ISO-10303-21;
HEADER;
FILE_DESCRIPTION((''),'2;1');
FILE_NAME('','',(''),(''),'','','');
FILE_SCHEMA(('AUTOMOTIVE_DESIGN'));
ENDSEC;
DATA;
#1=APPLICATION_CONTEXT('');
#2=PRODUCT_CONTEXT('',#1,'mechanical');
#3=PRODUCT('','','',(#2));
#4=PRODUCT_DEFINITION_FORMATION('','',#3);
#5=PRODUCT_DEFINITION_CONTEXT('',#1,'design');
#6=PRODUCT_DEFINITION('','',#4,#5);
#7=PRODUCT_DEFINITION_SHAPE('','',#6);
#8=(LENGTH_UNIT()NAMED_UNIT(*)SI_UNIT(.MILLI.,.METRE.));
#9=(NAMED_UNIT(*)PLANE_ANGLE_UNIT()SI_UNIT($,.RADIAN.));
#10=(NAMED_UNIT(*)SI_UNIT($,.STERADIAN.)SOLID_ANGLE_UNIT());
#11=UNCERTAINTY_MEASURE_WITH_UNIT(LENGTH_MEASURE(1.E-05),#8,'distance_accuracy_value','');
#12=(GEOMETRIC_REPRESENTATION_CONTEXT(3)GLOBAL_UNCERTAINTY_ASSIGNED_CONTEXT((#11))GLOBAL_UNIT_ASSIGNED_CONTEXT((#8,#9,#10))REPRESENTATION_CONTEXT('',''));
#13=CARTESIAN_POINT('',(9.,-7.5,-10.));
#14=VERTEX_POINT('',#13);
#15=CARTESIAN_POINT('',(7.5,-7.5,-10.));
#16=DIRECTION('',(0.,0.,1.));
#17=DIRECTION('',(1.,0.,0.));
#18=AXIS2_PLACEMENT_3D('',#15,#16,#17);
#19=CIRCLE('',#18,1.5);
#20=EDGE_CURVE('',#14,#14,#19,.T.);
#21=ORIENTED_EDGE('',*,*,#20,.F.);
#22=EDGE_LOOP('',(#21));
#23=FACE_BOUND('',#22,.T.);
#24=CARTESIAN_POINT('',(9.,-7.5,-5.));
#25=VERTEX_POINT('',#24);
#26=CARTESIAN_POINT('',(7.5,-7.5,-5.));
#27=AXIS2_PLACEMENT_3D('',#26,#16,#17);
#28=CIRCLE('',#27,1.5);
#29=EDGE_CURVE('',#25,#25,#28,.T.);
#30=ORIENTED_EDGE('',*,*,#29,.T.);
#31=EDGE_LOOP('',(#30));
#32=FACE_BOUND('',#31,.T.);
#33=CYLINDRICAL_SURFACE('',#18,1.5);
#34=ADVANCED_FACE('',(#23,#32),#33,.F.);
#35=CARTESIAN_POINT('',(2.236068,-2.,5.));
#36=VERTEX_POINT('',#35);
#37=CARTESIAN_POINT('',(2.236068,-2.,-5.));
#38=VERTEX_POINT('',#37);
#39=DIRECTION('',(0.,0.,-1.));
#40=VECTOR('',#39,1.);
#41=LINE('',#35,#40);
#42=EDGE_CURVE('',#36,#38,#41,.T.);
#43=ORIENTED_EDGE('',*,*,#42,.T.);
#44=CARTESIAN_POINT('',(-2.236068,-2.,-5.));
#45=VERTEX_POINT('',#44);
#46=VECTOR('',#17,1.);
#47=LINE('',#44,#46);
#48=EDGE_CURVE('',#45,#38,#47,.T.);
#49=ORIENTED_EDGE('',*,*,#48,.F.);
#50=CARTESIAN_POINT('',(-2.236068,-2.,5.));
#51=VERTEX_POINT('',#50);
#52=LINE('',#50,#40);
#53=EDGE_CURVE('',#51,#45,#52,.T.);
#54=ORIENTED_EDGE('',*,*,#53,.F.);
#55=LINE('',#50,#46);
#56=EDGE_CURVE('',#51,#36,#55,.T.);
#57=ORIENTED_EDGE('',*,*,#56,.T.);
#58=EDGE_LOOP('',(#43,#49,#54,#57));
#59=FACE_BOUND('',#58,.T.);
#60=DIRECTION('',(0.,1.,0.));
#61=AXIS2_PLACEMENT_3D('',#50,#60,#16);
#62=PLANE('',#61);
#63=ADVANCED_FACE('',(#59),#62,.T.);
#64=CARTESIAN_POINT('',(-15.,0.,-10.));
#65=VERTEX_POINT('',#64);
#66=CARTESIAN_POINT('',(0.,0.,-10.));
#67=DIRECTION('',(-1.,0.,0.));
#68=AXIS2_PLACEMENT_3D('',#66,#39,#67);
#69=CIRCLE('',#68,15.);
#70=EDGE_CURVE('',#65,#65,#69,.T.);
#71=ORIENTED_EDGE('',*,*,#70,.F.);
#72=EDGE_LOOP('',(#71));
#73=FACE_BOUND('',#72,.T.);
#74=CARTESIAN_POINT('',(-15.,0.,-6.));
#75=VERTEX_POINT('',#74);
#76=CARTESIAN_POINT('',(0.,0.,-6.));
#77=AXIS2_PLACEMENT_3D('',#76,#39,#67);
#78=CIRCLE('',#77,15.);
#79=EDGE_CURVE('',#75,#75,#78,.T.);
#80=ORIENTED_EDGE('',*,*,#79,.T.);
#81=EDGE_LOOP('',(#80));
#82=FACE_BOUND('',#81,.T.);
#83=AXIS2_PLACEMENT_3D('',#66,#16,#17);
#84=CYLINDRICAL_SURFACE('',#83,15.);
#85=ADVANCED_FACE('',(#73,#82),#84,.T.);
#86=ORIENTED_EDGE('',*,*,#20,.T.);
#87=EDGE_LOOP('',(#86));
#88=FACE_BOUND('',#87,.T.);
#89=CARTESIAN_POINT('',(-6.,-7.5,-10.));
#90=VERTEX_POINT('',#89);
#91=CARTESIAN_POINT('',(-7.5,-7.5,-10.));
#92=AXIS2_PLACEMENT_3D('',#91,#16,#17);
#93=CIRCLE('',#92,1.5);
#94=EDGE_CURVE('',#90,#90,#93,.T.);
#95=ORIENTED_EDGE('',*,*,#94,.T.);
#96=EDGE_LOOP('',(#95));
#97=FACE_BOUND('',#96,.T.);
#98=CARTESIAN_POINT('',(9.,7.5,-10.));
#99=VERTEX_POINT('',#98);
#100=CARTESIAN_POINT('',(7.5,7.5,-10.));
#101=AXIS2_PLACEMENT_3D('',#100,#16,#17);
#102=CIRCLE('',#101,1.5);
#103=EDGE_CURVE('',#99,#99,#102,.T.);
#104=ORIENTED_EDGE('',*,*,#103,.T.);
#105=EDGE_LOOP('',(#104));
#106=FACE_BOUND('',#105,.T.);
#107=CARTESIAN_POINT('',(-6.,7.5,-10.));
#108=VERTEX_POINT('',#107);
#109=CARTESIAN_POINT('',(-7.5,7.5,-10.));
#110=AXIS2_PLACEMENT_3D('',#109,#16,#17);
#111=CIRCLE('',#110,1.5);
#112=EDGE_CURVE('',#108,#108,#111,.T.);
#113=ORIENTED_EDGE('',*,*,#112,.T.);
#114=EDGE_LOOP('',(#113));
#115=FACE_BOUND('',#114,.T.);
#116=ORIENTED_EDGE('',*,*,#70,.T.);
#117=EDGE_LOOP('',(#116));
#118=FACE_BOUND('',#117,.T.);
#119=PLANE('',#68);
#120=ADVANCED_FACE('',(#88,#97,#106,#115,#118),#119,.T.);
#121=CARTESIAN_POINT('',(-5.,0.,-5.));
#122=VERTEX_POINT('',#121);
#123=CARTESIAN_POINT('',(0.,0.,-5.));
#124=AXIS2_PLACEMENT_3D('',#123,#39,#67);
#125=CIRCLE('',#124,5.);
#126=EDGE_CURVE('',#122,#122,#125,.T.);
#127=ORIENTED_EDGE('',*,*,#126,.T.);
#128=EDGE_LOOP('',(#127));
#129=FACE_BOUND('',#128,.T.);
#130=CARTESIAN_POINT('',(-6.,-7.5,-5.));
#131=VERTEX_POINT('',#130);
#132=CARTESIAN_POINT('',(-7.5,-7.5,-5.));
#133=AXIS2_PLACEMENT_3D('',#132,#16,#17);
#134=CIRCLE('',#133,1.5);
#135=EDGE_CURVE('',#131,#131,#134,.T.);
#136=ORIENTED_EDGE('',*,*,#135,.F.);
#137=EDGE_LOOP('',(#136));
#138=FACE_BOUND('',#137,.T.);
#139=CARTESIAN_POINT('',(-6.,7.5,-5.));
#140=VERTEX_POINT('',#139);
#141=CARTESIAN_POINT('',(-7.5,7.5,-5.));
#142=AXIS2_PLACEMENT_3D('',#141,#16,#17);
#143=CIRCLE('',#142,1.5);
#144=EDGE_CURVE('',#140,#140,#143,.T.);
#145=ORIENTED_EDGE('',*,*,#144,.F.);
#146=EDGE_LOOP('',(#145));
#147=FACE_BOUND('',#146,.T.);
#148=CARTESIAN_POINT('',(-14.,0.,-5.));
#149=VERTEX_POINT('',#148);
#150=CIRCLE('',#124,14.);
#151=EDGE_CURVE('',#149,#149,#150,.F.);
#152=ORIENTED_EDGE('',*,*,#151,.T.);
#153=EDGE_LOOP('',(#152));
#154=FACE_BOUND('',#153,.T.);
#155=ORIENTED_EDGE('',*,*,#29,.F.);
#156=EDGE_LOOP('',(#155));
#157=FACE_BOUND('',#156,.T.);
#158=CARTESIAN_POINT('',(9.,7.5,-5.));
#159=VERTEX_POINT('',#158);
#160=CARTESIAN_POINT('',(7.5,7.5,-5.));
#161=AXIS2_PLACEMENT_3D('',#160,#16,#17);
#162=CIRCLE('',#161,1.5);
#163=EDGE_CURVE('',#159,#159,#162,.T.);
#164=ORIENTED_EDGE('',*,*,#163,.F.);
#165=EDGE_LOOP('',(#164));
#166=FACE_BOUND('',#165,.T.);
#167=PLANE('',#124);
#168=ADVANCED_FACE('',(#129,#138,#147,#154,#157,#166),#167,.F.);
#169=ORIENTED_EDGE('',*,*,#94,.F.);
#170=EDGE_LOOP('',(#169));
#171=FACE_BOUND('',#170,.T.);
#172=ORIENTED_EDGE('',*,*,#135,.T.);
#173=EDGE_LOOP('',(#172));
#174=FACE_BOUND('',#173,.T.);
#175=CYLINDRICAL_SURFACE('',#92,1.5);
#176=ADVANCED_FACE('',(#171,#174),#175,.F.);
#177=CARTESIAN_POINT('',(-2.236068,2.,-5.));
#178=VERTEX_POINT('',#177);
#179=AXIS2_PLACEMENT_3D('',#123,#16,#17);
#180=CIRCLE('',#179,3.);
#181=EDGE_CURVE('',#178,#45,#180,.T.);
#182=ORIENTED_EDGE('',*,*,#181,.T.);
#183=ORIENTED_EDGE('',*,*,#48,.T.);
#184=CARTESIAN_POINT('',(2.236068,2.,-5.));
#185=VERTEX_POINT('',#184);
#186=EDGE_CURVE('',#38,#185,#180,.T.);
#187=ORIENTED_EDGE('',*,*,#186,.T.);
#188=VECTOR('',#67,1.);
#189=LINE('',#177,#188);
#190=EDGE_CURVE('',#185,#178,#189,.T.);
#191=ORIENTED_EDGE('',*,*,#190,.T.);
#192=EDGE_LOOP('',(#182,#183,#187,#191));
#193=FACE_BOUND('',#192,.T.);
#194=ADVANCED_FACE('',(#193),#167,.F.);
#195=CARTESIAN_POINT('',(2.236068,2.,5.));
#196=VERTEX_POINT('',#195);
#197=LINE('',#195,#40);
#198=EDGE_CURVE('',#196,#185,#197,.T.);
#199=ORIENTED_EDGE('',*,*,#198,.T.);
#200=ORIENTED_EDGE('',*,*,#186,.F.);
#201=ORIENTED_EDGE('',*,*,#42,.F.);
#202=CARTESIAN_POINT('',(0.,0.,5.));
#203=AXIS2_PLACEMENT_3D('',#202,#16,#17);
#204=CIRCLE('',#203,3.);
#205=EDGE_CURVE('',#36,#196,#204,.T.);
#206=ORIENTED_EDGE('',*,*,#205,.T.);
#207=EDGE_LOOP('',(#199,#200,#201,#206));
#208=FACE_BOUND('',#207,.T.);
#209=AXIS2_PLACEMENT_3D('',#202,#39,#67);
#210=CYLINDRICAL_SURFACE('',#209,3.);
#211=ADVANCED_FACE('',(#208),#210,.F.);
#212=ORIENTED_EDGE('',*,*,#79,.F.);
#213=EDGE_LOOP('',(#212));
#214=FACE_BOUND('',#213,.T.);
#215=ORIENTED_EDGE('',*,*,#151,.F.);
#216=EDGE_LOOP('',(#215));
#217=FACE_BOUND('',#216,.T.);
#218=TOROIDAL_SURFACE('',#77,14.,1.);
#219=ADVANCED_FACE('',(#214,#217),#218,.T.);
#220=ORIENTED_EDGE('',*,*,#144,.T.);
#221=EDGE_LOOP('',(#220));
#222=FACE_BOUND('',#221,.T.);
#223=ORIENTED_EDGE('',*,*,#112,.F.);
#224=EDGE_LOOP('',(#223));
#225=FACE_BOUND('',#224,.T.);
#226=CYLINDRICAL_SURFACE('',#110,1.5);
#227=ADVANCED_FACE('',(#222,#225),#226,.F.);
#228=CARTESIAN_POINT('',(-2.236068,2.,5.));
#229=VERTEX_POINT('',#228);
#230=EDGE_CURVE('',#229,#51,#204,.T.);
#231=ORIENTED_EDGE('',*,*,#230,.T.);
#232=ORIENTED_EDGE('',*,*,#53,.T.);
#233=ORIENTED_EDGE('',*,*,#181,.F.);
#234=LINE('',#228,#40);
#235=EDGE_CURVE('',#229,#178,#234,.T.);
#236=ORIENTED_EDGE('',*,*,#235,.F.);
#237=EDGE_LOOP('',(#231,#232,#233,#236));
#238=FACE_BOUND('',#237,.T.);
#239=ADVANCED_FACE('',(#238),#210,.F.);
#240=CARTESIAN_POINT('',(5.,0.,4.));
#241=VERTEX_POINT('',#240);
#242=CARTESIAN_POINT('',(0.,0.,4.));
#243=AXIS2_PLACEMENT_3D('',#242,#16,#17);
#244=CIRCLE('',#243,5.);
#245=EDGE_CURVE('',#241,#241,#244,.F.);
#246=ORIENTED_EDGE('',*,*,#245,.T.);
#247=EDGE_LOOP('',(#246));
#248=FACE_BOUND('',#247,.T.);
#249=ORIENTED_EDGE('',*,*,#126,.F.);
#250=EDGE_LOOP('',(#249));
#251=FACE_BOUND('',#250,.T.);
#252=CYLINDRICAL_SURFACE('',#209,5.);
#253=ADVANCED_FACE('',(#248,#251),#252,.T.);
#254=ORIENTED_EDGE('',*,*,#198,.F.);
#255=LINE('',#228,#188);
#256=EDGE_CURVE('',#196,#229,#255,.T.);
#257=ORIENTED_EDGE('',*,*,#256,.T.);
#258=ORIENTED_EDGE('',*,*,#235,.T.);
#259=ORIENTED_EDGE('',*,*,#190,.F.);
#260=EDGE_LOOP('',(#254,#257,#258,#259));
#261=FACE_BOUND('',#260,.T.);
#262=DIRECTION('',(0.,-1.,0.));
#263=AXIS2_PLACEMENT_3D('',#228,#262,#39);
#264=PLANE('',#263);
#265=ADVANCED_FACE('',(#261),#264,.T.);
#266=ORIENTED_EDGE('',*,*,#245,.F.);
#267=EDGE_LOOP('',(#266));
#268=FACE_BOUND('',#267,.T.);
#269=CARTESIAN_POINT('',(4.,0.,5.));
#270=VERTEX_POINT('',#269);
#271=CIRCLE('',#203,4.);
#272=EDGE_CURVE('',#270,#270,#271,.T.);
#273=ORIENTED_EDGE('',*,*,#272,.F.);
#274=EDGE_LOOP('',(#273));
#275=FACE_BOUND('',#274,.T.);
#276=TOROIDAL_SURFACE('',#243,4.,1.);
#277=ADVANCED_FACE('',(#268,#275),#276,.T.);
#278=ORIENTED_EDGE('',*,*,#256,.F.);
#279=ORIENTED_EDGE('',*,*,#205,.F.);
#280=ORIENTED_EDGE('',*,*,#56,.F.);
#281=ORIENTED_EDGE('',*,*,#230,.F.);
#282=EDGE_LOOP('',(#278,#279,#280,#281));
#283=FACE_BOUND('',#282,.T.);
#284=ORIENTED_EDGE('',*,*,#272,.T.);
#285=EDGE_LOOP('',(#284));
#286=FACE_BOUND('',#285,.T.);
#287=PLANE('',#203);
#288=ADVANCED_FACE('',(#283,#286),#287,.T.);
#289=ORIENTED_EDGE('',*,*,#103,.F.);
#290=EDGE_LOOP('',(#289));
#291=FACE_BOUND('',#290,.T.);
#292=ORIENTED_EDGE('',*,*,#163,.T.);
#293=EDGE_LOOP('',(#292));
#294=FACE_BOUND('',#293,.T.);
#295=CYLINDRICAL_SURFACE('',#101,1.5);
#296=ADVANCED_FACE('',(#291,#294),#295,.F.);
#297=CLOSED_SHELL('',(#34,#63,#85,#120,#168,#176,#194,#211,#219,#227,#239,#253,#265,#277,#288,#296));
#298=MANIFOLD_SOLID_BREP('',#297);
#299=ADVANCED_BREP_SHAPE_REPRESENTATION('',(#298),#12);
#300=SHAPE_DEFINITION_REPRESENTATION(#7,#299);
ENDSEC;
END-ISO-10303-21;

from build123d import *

# Parameters (mm, degrees)
CROQUIS1_R              = 5
SALIENTE_EXTRUIR1_DEPTH = 5
CROQUIS2_R              = 15
SALIENTE_EXTRUIR2_DEPTH = 5
CROQUIS3_R              = 1.5
CORTAR_EXTRUIR1_DEPTH   = 5
REDONDEO1_R             = 1
REDONDEO2_R             = 1


with BuildPart() as part:
    # Croquis1 → Saliente-Extruir1 (new, symmetric)
    with BuildSketch(Plane.XY):
        Circle(CROQUIS1_R)
        with BuildLine():
            Line((-2.236067977, -2), (2.236067977, -2))
            ThreePointArc((2.236067977, -2), (3, 0), (2.236067977, 2))
            Line((2.236067977, 2), (-2.236067977, 2))
            ThreePointArc((-2.236067977, 2), (-3, 0), (-2.236067977, -2))
        make_face(mode=Mode.SUBTRACT)
    extrude(amount=SALIENTE_EXTRUIR1_DEPTH, both=True)

    # Croquis2 → Saliente-Extruir2 (add)
    with BuildSketch(Plane(origin=(0, 0, -5), x_dir=(-1, 0, 0), z_dir=(0, 0, -1))):
        Circle(CROQUIS2_R)
    extrude(amount=SALIENTE_EXTRUIR2_DEPTH)

    # Croquis3 → Cortar-Extruir1 (cut)
    with BuildSketch(Plane.XY.offset(-5)):
        with Locations((-7.5, 7.5)):
            Circle(CROQUIS3_R)
        with Locations((7.5, 7.5)):
            Circle(CROQUIS3_R)
        with Locations((-7.5, -7.5)):
            Circle(CROQUIS3_R)
        with Locations((7.5, -7.5)):
            Circle(CROQUIS3_R)
    extrude(amount=-CORTAR_EXTRUIR1_DEPTH, mode=Mode.SUBTRACT)

    # Redondeo1
    redondeo1_edges = [part.edges().sort_by_distance(p)[0] for p in [
        (15, 0, -5),
    ]]
    fillet(redondeo1_edges, radius=REDONDEO1_R)

    # Redondeo2
    redondeo2_edges = [part.edges().sort_by_distance(p)[0] for p in [
        (-5, 0, 5),
    ]]
    fillet(redondeo2_edges, radius=REDONDEO2_R)


solid = part.part
